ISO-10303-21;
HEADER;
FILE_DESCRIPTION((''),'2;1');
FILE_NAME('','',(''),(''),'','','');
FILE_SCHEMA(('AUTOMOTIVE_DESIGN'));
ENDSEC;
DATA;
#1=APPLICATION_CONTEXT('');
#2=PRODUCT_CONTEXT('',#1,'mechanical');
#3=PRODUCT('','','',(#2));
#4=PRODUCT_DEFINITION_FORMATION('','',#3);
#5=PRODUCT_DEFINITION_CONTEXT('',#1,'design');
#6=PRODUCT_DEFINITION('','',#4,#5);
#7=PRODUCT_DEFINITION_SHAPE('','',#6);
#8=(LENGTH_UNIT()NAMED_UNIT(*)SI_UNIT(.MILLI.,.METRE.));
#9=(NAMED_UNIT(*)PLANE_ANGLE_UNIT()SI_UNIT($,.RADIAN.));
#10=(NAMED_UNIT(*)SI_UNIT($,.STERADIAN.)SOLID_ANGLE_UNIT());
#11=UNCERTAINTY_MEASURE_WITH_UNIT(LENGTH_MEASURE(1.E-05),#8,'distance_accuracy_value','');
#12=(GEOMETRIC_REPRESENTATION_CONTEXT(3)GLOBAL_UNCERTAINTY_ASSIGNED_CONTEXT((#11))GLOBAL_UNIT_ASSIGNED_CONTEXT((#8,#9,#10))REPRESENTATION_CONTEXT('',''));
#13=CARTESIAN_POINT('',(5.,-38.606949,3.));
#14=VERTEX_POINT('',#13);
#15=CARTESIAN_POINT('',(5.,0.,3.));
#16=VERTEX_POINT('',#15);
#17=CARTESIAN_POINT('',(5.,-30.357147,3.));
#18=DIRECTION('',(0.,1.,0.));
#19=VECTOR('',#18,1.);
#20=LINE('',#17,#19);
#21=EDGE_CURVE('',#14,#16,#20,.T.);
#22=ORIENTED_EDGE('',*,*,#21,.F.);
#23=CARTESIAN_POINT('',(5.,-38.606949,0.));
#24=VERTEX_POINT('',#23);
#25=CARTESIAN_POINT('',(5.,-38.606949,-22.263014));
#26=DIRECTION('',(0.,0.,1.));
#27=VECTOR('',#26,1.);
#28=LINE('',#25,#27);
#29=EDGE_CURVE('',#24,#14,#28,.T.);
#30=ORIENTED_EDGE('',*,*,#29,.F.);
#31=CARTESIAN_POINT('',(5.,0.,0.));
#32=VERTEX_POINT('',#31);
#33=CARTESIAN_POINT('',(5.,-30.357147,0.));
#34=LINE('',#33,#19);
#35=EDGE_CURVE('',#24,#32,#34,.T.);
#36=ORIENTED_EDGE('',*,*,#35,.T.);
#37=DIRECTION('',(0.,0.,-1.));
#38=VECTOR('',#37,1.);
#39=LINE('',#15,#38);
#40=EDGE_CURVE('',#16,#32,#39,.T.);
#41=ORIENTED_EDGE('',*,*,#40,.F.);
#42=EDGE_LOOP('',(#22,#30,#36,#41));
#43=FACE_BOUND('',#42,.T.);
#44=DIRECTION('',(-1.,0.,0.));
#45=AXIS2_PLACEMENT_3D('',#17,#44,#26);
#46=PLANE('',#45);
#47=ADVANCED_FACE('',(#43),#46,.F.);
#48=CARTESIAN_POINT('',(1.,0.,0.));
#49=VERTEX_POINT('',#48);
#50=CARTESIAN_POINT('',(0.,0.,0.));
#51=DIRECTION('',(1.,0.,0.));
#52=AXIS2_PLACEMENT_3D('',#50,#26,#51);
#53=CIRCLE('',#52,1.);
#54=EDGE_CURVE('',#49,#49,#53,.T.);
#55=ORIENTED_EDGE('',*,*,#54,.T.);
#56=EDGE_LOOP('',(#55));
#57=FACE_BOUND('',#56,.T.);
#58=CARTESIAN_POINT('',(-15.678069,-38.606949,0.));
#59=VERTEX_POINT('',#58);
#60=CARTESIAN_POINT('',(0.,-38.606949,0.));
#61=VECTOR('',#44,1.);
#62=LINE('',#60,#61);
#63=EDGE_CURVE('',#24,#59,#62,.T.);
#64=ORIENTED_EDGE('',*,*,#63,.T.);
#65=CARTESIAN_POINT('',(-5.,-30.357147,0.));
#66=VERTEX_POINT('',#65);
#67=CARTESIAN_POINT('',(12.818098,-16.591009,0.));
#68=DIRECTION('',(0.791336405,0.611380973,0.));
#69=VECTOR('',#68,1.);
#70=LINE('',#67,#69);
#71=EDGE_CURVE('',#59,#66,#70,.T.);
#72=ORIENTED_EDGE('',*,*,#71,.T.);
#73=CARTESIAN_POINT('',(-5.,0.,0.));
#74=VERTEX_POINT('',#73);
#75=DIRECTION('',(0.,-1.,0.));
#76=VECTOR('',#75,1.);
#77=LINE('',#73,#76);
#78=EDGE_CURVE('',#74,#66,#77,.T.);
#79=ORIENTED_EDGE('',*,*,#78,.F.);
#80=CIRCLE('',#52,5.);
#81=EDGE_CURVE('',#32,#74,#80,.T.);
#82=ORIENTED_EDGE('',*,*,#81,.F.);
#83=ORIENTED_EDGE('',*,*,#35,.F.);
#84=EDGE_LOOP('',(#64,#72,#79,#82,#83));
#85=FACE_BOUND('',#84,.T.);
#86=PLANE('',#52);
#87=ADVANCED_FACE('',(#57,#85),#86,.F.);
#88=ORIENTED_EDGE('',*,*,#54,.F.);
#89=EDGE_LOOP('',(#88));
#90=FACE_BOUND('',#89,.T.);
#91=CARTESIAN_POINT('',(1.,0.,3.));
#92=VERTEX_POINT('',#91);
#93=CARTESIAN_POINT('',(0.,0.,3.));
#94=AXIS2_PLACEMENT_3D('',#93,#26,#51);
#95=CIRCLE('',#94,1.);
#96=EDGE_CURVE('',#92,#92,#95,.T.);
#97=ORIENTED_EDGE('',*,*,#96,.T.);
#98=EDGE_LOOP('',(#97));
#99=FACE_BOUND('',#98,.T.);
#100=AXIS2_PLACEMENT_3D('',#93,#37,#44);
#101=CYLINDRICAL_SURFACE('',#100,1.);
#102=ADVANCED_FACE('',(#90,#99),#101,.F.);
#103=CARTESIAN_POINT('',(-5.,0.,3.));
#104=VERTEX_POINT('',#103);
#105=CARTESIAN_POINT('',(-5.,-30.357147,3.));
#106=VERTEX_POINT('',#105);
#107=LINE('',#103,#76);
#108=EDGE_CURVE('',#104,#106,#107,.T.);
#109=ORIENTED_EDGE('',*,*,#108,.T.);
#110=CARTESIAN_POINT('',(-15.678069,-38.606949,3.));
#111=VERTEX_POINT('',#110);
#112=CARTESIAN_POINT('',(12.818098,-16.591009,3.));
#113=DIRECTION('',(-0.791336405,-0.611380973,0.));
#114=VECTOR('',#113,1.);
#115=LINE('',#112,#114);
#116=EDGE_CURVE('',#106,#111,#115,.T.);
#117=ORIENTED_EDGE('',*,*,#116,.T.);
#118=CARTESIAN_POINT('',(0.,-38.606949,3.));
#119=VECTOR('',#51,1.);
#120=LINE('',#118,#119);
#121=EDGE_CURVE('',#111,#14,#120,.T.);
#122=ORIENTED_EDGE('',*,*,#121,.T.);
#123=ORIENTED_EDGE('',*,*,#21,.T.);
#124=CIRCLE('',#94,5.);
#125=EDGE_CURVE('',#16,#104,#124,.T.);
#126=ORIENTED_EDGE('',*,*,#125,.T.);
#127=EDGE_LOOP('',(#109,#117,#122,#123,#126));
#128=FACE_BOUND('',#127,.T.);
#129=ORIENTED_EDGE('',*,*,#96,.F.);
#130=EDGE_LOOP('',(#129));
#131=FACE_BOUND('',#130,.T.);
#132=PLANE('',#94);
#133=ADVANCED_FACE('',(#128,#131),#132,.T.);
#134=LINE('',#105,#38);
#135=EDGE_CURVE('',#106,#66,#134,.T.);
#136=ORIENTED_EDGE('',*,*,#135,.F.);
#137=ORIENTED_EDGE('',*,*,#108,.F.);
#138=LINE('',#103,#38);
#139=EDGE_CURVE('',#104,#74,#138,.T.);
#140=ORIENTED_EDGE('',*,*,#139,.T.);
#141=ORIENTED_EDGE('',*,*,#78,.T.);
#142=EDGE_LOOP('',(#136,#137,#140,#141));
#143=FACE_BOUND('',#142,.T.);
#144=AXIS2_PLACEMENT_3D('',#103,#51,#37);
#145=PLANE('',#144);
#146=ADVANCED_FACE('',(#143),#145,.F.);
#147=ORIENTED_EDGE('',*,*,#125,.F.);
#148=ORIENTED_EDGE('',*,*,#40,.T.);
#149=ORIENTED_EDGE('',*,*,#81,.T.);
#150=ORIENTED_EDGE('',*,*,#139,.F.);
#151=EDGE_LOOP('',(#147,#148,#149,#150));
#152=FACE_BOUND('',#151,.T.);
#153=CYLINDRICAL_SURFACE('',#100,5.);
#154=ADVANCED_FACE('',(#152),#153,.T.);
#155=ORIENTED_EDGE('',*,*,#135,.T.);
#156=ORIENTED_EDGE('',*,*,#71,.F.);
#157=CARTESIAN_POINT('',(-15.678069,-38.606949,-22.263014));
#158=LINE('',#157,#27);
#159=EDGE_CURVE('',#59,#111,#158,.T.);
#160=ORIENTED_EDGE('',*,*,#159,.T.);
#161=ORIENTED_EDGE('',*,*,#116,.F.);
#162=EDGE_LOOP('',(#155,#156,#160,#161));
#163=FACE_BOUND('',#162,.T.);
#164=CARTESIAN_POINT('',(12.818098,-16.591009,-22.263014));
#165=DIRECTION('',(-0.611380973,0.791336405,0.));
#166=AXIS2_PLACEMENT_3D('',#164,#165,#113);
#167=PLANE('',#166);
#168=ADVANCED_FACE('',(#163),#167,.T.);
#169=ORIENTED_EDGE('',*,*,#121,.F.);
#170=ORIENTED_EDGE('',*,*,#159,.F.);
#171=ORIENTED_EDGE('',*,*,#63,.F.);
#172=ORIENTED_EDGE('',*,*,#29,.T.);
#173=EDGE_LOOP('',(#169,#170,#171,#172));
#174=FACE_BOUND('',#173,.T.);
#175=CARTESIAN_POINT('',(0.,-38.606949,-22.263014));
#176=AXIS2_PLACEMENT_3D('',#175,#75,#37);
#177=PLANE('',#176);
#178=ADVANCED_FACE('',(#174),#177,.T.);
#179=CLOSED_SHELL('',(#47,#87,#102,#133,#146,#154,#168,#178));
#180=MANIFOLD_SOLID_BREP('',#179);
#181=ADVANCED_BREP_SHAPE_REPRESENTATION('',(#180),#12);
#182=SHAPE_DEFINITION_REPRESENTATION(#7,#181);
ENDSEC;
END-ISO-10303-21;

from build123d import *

# Parameters (mm, degrees)
SKETCH_1_R      = 1
EXTRUDE_1_DEPTH = 3
EXTRUDE_2_DEPTH = 3


with BuildPart() as part:
    # 草图1 → 凸台-拉伸1 (new body)
    with BuildSketch(Plane.XY):
        with BuildLine():
            Line((-5, 0), (-5, -30.357146931))
            Line((-5, -30.357146931), (5, -30.357146931))
            Line((5, -30.357146931), (5, 0))
            ThreePointArc((5, 0), (0, 5), (-5, 0))
        make_face()
        Circle(SKETCH_1_R, mode=Mode.SUBTRACT)
    extrude(amount=EXTRUDE_1_DEPTH)

    # 草图2 → 凸台-拉伸2 (add)
    with BuildSketch(Plane.XY.offset(3)):
        Polygon((-15.678069464, -38.606948739), (5, -38.606948739), (5, -35.668972407), (5, -30.357146931), (-5, -30.357146931), align=None)
    extrude(amount=-EXTRUDE_2_DEPTH)


solid = part.part
